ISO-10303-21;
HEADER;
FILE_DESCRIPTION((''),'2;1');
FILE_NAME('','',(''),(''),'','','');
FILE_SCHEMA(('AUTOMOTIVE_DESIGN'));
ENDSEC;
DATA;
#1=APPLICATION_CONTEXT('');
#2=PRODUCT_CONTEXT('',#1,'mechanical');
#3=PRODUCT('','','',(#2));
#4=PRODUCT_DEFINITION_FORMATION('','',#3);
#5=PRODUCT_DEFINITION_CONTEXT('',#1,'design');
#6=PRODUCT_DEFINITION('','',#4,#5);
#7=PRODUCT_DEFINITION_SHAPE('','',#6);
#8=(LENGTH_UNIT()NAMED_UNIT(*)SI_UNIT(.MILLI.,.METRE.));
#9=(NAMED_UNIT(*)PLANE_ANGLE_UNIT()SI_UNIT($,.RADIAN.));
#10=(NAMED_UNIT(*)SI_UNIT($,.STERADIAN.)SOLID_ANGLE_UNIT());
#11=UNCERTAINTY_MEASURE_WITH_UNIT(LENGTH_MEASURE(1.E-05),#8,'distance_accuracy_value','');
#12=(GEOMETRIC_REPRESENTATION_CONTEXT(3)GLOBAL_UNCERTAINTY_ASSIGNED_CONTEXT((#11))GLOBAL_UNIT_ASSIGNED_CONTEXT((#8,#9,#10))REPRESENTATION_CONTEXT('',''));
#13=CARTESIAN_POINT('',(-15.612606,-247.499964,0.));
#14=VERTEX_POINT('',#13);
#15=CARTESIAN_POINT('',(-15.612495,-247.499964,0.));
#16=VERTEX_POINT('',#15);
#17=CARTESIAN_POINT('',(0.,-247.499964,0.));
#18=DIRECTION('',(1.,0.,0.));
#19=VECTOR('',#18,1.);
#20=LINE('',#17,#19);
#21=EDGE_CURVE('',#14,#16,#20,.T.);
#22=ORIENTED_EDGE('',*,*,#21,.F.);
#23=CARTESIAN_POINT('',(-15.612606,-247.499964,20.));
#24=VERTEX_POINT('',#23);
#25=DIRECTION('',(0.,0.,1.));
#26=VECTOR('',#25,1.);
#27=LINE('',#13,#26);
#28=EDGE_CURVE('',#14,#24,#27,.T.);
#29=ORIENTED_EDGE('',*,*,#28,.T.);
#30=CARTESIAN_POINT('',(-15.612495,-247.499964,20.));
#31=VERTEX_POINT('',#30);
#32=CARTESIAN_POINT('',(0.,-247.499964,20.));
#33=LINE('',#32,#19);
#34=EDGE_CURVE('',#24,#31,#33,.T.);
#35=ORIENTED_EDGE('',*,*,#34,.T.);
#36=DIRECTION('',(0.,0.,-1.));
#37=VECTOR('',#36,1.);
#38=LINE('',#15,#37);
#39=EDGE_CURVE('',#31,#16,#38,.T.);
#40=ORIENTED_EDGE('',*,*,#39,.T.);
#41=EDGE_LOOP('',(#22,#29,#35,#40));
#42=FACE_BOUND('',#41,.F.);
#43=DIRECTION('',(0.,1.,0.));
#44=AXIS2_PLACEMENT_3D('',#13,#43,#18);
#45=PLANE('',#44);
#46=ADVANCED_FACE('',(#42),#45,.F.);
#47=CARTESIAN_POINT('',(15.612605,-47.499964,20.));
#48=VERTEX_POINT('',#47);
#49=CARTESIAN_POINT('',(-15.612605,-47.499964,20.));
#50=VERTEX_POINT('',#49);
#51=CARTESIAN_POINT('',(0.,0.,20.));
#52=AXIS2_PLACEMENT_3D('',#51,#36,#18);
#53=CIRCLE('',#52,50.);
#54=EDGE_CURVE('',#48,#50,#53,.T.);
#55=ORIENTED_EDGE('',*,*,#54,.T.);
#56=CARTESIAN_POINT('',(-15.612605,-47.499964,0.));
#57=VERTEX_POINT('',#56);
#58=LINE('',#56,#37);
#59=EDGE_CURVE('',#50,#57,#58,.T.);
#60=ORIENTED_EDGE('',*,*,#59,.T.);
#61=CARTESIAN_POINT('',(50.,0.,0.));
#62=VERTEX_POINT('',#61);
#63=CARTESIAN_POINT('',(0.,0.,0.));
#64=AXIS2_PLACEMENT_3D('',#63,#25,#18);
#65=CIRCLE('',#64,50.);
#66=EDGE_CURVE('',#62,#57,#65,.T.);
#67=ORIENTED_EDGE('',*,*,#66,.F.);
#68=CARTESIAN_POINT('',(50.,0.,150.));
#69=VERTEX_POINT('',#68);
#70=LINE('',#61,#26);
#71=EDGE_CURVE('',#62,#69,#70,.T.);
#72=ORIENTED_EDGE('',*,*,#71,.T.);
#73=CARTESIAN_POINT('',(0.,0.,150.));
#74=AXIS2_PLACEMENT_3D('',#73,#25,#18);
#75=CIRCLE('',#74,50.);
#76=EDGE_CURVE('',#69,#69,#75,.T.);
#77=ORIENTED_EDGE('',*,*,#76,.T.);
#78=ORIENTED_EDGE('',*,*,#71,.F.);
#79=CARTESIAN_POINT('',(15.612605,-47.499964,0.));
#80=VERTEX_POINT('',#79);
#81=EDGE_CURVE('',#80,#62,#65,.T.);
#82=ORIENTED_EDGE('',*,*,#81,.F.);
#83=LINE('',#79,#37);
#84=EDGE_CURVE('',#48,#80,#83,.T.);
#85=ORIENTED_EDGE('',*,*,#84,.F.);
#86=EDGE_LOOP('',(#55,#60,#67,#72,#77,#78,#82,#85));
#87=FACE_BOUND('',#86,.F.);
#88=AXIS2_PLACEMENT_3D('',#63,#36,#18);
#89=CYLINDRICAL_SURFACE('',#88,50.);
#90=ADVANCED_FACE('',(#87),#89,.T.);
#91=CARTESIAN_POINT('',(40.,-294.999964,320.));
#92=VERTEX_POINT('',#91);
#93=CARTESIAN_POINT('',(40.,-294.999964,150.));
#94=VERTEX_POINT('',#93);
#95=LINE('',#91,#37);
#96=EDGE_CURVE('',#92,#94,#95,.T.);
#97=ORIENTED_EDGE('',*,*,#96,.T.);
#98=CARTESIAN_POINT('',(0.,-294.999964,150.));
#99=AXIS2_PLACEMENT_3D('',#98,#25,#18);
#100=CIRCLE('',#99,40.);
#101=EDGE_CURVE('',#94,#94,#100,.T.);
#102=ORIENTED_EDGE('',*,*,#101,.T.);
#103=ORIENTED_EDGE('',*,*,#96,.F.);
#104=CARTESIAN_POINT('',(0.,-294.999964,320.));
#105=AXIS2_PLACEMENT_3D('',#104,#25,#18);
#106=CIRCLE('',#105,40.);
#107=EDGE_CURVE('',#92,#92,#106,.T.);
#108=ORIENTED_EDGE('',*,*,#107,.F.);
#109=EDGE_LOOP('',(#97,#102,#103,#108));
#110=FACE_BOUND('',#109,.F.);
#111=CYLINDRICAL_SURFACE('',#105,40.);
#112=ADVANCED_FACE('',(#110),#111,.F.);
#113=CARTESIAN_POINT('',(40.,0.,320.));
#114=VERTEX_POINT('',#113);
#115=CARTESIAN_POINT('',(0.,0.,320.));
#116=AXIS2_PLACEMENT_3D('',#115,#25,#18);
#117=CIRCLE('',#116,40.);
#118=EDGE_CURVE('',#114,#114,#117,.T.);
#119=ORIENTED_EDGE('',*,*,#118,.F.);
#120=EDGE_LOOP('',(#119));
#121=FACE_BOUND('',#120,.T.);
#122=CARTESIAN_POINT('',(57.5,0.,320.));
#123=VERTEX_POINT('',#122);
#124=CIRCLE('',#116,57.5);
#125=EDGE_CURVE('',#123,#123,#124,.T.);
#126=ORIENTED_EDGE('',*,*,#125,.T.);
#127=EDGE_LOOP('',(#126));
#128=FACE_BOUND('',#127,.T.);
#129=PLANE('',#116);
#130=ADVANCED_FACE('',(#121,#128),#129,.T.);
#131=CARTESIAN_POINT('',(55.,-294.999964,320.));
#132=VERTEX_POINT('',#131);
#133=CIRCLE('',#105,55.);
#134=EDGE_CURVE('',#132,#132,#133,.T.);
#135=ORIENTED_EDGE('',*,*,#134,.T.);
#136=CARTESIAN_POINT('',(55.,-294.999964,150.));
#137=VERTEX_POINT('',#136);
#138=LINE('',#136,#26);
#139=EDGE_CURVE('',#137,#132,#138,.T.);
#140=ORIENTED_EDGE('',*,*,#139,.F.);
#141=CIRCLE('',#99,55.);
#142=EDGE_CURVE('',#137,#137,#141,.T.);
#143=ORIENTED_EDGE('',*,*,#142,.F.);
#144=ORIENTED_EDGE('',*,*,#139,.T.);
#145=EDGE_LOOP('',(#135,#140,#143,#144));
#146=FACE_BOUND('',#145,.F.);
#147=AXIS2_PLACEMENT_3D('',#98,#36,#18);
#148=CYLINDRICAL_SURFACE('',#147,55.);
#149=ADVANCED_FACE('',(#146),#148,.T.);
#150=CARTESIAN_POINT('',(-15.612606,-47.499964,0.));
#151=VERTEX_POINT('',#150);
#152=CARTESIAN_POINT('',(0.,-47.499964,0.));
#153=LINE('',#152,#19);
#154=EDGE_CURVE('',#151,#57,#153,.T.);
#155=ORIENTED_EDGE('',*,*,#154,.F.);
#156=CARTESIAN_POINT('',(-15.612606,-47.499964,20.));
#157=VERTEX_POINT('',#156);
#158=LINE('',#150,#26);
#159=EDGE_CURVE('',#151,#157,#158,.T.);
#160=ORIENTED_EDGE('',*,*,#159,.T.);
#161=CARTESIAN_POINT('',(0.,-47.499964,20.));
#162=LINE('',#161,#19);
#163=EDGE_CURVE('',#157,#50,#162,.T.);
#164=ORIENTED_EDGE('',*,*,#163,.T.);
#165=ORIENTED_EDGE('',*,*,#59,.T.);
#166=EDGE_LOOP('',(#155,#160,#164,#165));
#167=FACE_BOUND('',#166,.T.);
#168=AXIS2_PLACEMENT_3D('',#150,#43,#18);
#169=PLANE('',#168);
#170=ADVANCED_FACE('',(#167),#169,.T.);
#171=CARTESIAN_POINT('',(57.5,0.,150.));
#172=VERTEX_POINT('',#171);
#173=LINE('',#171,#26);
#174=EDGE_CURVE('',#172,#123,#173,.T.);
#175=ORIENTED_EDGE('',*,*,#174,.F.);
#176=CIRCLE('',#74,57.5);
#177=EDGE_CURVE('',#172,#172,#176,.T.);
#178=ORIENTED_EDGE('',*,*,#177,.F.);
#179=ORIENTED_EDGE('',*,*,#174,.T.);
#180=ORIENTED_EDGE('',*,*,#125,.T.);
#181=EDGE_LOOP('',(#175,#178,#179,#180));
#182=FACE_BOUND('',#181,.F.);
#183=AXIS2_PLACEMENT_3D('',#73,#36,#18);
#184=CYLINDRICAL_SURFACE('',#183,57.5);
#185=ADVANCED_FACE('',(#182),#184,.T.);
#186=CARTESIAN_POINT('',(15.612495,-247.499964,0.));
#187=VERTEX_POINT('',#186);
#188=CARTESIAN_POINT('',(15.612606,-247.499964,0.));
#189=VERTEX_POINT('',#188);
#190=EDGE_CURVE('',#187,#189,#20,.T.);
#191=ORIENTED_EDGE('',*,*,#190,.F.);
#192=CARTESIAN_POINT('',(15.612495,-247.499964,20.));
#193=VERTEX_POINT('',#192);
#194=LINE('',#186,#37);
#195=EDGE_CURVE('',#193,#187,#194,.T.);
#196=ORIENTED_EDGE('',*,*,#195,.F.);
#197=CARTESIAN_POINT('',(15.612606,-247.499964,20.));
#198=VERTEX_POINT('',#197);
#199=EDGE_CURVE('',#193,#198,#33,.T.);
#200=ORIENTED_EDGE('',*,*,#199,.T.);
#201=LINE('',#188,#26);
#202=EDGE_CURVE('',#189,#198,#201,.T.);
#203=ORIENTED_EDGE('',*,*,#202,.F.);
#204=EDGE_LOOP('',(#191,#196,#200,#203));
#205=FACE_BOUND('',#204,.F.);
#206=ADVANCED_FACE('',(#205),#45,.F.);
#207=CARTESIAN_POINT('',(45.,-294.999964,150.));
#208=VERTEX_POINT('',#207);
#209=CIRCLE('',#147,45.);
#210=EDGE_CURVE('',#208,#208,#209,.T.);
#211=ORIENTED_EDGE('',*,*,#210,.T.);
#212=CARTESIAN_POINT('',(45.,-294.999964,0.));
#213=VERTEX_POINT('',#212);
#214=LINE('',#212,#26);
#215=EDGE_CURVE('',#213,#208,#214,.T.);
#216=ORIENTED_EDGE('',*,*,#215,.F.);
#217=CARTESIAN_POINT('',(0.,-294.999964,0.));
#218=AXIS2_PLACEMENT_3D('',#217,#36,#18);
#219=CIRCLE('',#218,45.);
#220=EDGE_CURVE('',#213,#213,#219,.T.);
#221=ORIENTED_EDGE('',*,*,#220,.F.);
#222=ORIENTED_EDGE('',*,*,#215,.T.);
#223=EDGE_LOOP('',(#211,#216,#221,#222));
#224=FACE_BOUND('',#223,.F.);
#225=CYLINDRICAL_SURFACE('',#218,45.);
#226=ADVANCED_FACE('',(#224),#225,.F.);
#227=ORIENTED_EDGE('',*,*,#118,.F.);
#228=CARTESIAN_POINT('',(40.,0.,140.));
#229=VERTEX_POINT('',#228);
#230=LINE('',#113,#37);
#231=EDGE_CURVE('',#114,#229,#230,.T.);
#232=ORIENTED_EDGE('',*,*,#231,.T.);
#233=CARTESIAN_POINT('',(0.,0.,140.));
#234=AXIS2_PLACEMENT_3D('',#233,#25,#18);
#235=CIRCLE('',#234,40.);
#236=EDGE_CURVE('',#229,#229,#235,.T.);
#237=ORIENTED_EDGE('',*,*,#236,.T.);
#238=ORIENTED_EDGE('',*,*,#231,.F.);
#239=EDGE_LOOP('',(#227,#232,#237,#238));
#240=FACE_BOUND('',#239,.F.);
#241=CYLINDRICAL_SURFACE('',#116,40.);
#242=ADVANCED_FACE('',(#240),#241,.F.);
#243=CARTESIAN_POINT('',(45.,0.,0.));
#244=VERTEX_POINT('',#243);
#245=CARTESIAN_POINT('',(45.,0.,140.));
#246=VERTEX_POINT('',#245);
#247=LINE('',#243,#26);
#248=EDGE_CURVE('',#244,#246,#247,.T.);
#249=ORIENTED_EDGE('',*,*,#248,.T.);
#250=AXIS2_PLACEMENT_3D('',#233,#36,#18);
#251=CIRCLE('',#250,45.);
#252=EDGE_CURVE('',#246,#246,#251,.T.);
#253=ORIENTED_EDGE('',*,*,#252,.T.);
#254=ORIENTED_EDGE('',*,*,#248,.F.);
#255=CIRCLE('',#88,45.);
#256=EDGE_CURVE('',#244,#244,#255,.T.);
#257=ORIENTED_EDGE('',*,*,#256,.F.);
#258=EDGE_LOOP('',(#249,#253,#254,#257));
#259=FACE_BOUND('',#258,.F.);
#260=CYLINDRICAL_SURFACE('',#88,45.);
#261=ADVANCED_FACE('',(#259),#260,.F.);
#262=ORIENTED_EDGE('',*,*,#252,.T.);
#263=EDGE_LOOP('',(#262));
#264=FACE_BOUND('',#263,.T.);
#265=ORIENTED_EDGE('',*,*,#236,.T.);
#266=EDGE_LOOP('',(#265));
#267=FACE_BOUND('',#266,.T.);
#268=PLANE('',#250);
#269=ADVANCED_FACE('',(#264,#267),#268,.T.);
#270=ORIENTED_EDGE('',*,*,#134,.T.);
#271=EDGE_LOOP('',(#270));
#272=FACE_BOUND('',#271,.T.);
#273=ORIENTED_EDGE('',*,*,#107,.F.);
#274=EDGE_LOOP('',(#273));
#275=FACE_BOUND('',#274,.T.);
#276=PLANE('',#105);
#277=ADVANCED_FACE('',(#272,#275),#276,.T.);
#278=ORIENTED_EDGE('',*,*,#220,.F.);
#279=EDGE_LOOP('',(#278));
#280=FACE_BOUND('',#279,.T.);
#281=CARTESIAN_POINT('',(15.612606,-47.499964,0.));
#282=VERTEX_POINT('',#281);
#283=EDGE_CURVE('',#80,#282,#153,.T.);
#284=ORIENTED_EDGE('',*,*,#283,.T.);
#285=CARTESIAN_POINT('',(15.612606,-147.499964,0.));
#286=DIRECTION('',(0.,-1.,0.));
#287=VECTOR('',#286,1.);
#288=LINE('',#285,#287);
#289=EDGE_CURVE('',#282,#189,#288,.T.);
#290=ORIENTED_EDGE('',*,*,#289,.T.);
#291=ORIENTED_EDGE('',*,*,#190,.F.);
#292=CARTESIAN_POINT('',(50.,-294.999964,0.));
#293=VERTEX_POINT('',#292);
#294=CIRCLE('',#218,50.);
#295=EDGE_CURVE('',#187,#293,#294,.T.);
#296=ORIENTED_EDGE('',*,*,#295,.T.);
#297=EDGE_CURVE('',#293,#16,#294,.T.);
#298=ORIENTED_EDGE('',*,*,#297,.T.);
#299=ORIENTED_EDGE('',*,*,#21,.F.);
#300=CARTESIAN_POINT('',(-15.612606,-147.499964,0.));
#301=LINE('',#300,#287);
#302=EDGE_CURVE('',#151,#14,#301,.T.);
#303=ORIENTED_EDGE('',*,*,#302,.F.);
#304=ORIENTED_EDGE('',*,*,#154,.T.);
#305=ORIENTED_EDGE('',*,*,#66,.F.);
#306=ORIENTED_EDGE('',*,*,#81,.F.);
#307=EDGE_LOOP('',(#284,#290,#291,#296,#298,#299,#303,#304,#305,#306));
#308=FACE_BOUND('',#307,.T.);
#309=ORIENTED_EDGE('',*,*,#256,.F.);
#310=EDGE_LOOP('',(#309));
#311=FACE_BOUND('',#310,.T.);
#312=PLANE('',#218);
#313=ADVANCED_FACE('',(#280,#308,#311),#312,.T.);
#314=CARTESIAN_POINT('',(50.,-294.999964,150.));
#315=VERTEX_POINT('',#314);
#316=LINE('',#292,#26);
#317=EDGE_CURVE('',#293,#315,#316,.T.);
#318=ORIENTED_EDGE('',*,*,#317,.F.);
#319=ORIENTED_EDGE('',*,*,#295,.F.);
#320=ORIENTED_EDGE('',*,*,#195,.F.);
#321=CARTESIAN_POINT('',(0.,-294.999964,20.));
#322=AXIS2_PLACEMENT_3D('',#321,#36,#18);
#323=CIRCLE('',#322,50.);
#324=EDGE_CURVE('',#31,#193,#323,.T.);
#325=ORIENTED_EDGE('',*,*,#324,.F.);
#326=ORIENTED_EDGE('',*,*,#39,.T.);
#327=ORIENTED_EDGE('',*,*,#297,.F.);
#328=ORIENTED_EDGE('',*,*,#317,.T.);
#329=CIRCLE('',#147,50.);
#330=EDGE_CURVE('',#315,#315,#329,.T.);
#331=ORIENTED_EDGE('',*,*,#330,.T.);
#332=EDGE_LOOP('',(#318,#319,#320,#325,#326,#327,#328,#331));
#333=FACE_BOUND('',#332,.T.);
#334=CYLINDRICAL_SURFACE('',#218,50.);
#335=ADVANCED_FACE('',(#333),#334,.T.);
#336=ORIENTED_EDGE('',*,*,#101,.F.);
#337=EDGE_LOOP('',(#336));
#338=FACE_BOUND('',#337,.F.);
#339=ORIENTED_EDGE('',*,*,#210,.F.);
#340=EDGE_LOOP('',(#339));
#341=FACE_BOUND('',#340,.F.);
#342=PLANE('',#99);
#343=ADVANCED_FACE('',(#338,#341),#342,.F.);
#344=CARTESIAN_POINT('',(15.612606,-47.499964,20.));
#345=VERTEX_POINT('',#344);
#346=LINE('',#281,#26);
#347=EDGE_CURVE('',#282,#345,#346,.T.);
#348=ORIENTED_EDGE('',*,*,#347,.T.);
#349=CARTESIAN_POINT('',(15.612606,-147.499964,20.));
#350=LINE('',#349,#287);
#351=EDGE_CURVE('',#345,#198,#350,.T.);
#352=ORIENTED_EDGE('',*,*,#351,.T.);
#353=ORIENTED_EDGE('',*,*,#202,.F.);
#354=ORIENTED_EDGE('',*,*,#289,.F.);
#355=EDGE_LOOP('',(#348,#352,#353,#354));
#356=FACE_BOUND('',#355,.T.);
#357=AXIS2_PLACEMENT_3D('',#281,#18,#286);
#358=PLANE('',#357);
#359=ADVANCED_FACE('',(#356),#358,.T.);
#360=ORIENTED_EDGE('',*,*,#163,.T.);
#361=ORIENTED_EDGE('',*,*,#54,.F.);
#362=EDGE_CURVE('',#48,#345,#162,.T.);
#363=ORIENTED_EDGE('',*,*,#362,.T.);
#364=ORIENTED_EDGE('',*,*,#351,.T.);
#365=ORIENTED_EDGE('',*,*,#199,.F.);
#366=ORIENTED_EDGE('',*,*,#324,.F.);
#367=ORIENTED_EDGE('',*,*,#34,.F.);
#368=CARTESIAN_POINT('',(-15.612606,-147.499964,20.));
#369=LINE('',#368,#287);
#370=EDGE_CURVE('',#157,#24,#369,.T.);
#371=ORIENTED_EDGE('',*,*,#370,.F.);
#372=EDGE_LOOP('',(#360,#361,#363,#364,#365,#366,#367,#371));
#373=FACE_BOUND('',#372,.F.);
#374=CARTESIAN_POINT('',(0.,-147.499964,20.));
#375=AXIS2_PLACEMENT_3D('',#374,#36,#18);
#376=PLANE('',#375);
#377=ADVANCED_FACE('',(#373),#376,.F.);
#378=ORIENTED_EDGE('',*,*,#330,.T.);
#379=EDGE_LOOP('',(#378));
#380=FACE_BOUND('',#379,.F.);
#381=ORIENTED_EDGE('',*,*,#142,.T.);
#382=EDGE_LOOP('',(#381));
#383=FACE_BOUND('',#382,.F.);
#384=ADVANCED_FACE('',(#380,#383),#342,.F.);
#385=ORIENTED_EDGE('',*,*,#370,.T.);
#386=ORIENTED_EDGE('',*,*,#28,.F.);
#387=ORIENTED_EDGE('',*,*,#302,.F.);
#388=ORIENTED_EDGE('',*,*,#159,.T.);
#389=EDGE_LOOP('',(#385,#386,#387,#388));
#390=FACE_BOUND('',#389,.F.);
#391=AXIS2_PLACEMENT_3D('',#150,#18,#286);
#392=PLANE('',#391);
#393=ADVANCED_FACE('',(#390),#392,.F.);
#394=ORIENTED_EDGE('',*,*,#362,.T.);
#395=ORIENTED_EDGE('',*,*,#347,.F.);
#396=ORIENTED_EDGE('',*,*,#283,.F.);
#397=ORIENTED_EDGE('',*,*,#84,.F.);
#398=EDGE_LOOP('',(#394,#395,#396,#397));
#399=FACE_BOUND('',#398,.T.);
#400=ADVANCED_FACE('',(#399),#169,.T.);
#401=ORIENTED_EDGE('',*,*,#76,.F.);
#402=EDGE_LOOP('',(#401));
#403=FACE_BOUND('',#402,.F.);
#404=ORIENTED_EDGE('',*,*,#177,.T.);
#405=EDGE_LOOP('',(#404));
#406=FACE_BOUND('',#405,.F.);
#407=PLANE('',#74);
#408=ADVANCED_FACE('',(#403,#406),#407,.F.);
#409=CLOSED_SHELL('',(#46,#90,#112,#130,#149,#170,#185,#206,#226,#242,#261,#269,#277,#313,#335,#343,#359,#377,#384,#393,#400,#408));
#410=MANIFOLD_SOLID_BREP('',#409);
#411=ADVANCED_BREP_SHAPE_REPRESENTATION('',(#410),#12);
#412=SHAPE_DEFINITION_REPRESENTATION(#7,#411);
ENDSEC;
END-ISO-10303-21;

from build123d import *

# Parameters (mm, degrees)
F0_R      = 50
F1_DEPTH  = 150
F2_R      = 45
F3_DEPTH  = 140
F4_R      = 57.5
F5_DEPTH  = 170
F6_R      = 40
F7_DEPTH  = 383
F8_W      = 31.225212
F8_H      = 200
F9_DEPTH  = 20
F10_R     = 50
F11_DEPTH = 150
F12_R     = 45
F13_DEPTH = 150
F14_R     = 55
F15_DEPTH = 170
F16_R     = 40
F17_DEPTH = 5000


with BuildPart() as f1:
    # F0 (on Top) → F1 (new body)
    with BuildSketch(Plane.XY):
        Circle(F0_R)
    extrude(amount=F1_DEPTH)

    # F2 (on face) → F3 (cut)
    with BuildSketch(Plane(origin=(0, 0, 0), x_dir=(1, 0, 0), z_dir=(0, 0, -1))):
        Circle(F2_R)
    extrude(amount=-F3_DEPTH, mode=Mode.SUBTRACT)

    # F4 (on face) → F5 (join)
    with BuildSketch(Plane.XY.offset(150)):
        Circle(F4_R)
    extrude(amount=F5_DEPTH)

    # F6 (on face) → F7 (cut)
    with BuildSketch(Plane.XY.offset(320)):
        Circle(F6_R)
    extrude(amount=-F7_DEPTH, mode=Mode.SUBTRACT)

    # F8 (on face) → F9 (join)
    with BuildSketch(Plane(origin=(0, 0, 0), x_dir=(1, 0, 0), z_dir=(0, 0, -1))):
        with Locations((0, 147.499964)):
            Rectangle(F8_W, F8_H)
    extrude(amount=-F9_DEPTH)

    # F10 (on face) → F11 (join)
    with BuildSketch(Plane(origin=(0, 0, 0), x_dir=(1, 0, 0), z_dir=(0, 0, -1))):
        with Locations((0, 294.999964)):
            Circle(F10_R)
    extrude(amount=-F11_DEPTH)

    # F12 (on face) → F13 (cut)
    with BuildSketch(Plane(origin=(0, 0, 0), x_dir=(1, 0, 0), z_dir=(0, 0, -1))):
        with Locations((0, 294.999964)):
            Circle(F12_R)
    extrude(amount=-F13_DEPTH, mode=Mode.SUBTRACT)

    # F14 (on face) → F15 (join)
    with BuildSketch(Plane.XY.offset(150)):
        with Locations((0, -294.999964)):
            Circle(F14_R)
    extrude(amount=F15_DEPTH)

    # F16 (on face) → F17 (cut)
    with BuildSketch(Plane.XY.offset(320)):
        with Locations((0, -294.999964)):
            Circle(F16_R)
    extrude(amount=-F17_DEPTH, mode=Mode.SUBTRACT)


solid = f1.part
